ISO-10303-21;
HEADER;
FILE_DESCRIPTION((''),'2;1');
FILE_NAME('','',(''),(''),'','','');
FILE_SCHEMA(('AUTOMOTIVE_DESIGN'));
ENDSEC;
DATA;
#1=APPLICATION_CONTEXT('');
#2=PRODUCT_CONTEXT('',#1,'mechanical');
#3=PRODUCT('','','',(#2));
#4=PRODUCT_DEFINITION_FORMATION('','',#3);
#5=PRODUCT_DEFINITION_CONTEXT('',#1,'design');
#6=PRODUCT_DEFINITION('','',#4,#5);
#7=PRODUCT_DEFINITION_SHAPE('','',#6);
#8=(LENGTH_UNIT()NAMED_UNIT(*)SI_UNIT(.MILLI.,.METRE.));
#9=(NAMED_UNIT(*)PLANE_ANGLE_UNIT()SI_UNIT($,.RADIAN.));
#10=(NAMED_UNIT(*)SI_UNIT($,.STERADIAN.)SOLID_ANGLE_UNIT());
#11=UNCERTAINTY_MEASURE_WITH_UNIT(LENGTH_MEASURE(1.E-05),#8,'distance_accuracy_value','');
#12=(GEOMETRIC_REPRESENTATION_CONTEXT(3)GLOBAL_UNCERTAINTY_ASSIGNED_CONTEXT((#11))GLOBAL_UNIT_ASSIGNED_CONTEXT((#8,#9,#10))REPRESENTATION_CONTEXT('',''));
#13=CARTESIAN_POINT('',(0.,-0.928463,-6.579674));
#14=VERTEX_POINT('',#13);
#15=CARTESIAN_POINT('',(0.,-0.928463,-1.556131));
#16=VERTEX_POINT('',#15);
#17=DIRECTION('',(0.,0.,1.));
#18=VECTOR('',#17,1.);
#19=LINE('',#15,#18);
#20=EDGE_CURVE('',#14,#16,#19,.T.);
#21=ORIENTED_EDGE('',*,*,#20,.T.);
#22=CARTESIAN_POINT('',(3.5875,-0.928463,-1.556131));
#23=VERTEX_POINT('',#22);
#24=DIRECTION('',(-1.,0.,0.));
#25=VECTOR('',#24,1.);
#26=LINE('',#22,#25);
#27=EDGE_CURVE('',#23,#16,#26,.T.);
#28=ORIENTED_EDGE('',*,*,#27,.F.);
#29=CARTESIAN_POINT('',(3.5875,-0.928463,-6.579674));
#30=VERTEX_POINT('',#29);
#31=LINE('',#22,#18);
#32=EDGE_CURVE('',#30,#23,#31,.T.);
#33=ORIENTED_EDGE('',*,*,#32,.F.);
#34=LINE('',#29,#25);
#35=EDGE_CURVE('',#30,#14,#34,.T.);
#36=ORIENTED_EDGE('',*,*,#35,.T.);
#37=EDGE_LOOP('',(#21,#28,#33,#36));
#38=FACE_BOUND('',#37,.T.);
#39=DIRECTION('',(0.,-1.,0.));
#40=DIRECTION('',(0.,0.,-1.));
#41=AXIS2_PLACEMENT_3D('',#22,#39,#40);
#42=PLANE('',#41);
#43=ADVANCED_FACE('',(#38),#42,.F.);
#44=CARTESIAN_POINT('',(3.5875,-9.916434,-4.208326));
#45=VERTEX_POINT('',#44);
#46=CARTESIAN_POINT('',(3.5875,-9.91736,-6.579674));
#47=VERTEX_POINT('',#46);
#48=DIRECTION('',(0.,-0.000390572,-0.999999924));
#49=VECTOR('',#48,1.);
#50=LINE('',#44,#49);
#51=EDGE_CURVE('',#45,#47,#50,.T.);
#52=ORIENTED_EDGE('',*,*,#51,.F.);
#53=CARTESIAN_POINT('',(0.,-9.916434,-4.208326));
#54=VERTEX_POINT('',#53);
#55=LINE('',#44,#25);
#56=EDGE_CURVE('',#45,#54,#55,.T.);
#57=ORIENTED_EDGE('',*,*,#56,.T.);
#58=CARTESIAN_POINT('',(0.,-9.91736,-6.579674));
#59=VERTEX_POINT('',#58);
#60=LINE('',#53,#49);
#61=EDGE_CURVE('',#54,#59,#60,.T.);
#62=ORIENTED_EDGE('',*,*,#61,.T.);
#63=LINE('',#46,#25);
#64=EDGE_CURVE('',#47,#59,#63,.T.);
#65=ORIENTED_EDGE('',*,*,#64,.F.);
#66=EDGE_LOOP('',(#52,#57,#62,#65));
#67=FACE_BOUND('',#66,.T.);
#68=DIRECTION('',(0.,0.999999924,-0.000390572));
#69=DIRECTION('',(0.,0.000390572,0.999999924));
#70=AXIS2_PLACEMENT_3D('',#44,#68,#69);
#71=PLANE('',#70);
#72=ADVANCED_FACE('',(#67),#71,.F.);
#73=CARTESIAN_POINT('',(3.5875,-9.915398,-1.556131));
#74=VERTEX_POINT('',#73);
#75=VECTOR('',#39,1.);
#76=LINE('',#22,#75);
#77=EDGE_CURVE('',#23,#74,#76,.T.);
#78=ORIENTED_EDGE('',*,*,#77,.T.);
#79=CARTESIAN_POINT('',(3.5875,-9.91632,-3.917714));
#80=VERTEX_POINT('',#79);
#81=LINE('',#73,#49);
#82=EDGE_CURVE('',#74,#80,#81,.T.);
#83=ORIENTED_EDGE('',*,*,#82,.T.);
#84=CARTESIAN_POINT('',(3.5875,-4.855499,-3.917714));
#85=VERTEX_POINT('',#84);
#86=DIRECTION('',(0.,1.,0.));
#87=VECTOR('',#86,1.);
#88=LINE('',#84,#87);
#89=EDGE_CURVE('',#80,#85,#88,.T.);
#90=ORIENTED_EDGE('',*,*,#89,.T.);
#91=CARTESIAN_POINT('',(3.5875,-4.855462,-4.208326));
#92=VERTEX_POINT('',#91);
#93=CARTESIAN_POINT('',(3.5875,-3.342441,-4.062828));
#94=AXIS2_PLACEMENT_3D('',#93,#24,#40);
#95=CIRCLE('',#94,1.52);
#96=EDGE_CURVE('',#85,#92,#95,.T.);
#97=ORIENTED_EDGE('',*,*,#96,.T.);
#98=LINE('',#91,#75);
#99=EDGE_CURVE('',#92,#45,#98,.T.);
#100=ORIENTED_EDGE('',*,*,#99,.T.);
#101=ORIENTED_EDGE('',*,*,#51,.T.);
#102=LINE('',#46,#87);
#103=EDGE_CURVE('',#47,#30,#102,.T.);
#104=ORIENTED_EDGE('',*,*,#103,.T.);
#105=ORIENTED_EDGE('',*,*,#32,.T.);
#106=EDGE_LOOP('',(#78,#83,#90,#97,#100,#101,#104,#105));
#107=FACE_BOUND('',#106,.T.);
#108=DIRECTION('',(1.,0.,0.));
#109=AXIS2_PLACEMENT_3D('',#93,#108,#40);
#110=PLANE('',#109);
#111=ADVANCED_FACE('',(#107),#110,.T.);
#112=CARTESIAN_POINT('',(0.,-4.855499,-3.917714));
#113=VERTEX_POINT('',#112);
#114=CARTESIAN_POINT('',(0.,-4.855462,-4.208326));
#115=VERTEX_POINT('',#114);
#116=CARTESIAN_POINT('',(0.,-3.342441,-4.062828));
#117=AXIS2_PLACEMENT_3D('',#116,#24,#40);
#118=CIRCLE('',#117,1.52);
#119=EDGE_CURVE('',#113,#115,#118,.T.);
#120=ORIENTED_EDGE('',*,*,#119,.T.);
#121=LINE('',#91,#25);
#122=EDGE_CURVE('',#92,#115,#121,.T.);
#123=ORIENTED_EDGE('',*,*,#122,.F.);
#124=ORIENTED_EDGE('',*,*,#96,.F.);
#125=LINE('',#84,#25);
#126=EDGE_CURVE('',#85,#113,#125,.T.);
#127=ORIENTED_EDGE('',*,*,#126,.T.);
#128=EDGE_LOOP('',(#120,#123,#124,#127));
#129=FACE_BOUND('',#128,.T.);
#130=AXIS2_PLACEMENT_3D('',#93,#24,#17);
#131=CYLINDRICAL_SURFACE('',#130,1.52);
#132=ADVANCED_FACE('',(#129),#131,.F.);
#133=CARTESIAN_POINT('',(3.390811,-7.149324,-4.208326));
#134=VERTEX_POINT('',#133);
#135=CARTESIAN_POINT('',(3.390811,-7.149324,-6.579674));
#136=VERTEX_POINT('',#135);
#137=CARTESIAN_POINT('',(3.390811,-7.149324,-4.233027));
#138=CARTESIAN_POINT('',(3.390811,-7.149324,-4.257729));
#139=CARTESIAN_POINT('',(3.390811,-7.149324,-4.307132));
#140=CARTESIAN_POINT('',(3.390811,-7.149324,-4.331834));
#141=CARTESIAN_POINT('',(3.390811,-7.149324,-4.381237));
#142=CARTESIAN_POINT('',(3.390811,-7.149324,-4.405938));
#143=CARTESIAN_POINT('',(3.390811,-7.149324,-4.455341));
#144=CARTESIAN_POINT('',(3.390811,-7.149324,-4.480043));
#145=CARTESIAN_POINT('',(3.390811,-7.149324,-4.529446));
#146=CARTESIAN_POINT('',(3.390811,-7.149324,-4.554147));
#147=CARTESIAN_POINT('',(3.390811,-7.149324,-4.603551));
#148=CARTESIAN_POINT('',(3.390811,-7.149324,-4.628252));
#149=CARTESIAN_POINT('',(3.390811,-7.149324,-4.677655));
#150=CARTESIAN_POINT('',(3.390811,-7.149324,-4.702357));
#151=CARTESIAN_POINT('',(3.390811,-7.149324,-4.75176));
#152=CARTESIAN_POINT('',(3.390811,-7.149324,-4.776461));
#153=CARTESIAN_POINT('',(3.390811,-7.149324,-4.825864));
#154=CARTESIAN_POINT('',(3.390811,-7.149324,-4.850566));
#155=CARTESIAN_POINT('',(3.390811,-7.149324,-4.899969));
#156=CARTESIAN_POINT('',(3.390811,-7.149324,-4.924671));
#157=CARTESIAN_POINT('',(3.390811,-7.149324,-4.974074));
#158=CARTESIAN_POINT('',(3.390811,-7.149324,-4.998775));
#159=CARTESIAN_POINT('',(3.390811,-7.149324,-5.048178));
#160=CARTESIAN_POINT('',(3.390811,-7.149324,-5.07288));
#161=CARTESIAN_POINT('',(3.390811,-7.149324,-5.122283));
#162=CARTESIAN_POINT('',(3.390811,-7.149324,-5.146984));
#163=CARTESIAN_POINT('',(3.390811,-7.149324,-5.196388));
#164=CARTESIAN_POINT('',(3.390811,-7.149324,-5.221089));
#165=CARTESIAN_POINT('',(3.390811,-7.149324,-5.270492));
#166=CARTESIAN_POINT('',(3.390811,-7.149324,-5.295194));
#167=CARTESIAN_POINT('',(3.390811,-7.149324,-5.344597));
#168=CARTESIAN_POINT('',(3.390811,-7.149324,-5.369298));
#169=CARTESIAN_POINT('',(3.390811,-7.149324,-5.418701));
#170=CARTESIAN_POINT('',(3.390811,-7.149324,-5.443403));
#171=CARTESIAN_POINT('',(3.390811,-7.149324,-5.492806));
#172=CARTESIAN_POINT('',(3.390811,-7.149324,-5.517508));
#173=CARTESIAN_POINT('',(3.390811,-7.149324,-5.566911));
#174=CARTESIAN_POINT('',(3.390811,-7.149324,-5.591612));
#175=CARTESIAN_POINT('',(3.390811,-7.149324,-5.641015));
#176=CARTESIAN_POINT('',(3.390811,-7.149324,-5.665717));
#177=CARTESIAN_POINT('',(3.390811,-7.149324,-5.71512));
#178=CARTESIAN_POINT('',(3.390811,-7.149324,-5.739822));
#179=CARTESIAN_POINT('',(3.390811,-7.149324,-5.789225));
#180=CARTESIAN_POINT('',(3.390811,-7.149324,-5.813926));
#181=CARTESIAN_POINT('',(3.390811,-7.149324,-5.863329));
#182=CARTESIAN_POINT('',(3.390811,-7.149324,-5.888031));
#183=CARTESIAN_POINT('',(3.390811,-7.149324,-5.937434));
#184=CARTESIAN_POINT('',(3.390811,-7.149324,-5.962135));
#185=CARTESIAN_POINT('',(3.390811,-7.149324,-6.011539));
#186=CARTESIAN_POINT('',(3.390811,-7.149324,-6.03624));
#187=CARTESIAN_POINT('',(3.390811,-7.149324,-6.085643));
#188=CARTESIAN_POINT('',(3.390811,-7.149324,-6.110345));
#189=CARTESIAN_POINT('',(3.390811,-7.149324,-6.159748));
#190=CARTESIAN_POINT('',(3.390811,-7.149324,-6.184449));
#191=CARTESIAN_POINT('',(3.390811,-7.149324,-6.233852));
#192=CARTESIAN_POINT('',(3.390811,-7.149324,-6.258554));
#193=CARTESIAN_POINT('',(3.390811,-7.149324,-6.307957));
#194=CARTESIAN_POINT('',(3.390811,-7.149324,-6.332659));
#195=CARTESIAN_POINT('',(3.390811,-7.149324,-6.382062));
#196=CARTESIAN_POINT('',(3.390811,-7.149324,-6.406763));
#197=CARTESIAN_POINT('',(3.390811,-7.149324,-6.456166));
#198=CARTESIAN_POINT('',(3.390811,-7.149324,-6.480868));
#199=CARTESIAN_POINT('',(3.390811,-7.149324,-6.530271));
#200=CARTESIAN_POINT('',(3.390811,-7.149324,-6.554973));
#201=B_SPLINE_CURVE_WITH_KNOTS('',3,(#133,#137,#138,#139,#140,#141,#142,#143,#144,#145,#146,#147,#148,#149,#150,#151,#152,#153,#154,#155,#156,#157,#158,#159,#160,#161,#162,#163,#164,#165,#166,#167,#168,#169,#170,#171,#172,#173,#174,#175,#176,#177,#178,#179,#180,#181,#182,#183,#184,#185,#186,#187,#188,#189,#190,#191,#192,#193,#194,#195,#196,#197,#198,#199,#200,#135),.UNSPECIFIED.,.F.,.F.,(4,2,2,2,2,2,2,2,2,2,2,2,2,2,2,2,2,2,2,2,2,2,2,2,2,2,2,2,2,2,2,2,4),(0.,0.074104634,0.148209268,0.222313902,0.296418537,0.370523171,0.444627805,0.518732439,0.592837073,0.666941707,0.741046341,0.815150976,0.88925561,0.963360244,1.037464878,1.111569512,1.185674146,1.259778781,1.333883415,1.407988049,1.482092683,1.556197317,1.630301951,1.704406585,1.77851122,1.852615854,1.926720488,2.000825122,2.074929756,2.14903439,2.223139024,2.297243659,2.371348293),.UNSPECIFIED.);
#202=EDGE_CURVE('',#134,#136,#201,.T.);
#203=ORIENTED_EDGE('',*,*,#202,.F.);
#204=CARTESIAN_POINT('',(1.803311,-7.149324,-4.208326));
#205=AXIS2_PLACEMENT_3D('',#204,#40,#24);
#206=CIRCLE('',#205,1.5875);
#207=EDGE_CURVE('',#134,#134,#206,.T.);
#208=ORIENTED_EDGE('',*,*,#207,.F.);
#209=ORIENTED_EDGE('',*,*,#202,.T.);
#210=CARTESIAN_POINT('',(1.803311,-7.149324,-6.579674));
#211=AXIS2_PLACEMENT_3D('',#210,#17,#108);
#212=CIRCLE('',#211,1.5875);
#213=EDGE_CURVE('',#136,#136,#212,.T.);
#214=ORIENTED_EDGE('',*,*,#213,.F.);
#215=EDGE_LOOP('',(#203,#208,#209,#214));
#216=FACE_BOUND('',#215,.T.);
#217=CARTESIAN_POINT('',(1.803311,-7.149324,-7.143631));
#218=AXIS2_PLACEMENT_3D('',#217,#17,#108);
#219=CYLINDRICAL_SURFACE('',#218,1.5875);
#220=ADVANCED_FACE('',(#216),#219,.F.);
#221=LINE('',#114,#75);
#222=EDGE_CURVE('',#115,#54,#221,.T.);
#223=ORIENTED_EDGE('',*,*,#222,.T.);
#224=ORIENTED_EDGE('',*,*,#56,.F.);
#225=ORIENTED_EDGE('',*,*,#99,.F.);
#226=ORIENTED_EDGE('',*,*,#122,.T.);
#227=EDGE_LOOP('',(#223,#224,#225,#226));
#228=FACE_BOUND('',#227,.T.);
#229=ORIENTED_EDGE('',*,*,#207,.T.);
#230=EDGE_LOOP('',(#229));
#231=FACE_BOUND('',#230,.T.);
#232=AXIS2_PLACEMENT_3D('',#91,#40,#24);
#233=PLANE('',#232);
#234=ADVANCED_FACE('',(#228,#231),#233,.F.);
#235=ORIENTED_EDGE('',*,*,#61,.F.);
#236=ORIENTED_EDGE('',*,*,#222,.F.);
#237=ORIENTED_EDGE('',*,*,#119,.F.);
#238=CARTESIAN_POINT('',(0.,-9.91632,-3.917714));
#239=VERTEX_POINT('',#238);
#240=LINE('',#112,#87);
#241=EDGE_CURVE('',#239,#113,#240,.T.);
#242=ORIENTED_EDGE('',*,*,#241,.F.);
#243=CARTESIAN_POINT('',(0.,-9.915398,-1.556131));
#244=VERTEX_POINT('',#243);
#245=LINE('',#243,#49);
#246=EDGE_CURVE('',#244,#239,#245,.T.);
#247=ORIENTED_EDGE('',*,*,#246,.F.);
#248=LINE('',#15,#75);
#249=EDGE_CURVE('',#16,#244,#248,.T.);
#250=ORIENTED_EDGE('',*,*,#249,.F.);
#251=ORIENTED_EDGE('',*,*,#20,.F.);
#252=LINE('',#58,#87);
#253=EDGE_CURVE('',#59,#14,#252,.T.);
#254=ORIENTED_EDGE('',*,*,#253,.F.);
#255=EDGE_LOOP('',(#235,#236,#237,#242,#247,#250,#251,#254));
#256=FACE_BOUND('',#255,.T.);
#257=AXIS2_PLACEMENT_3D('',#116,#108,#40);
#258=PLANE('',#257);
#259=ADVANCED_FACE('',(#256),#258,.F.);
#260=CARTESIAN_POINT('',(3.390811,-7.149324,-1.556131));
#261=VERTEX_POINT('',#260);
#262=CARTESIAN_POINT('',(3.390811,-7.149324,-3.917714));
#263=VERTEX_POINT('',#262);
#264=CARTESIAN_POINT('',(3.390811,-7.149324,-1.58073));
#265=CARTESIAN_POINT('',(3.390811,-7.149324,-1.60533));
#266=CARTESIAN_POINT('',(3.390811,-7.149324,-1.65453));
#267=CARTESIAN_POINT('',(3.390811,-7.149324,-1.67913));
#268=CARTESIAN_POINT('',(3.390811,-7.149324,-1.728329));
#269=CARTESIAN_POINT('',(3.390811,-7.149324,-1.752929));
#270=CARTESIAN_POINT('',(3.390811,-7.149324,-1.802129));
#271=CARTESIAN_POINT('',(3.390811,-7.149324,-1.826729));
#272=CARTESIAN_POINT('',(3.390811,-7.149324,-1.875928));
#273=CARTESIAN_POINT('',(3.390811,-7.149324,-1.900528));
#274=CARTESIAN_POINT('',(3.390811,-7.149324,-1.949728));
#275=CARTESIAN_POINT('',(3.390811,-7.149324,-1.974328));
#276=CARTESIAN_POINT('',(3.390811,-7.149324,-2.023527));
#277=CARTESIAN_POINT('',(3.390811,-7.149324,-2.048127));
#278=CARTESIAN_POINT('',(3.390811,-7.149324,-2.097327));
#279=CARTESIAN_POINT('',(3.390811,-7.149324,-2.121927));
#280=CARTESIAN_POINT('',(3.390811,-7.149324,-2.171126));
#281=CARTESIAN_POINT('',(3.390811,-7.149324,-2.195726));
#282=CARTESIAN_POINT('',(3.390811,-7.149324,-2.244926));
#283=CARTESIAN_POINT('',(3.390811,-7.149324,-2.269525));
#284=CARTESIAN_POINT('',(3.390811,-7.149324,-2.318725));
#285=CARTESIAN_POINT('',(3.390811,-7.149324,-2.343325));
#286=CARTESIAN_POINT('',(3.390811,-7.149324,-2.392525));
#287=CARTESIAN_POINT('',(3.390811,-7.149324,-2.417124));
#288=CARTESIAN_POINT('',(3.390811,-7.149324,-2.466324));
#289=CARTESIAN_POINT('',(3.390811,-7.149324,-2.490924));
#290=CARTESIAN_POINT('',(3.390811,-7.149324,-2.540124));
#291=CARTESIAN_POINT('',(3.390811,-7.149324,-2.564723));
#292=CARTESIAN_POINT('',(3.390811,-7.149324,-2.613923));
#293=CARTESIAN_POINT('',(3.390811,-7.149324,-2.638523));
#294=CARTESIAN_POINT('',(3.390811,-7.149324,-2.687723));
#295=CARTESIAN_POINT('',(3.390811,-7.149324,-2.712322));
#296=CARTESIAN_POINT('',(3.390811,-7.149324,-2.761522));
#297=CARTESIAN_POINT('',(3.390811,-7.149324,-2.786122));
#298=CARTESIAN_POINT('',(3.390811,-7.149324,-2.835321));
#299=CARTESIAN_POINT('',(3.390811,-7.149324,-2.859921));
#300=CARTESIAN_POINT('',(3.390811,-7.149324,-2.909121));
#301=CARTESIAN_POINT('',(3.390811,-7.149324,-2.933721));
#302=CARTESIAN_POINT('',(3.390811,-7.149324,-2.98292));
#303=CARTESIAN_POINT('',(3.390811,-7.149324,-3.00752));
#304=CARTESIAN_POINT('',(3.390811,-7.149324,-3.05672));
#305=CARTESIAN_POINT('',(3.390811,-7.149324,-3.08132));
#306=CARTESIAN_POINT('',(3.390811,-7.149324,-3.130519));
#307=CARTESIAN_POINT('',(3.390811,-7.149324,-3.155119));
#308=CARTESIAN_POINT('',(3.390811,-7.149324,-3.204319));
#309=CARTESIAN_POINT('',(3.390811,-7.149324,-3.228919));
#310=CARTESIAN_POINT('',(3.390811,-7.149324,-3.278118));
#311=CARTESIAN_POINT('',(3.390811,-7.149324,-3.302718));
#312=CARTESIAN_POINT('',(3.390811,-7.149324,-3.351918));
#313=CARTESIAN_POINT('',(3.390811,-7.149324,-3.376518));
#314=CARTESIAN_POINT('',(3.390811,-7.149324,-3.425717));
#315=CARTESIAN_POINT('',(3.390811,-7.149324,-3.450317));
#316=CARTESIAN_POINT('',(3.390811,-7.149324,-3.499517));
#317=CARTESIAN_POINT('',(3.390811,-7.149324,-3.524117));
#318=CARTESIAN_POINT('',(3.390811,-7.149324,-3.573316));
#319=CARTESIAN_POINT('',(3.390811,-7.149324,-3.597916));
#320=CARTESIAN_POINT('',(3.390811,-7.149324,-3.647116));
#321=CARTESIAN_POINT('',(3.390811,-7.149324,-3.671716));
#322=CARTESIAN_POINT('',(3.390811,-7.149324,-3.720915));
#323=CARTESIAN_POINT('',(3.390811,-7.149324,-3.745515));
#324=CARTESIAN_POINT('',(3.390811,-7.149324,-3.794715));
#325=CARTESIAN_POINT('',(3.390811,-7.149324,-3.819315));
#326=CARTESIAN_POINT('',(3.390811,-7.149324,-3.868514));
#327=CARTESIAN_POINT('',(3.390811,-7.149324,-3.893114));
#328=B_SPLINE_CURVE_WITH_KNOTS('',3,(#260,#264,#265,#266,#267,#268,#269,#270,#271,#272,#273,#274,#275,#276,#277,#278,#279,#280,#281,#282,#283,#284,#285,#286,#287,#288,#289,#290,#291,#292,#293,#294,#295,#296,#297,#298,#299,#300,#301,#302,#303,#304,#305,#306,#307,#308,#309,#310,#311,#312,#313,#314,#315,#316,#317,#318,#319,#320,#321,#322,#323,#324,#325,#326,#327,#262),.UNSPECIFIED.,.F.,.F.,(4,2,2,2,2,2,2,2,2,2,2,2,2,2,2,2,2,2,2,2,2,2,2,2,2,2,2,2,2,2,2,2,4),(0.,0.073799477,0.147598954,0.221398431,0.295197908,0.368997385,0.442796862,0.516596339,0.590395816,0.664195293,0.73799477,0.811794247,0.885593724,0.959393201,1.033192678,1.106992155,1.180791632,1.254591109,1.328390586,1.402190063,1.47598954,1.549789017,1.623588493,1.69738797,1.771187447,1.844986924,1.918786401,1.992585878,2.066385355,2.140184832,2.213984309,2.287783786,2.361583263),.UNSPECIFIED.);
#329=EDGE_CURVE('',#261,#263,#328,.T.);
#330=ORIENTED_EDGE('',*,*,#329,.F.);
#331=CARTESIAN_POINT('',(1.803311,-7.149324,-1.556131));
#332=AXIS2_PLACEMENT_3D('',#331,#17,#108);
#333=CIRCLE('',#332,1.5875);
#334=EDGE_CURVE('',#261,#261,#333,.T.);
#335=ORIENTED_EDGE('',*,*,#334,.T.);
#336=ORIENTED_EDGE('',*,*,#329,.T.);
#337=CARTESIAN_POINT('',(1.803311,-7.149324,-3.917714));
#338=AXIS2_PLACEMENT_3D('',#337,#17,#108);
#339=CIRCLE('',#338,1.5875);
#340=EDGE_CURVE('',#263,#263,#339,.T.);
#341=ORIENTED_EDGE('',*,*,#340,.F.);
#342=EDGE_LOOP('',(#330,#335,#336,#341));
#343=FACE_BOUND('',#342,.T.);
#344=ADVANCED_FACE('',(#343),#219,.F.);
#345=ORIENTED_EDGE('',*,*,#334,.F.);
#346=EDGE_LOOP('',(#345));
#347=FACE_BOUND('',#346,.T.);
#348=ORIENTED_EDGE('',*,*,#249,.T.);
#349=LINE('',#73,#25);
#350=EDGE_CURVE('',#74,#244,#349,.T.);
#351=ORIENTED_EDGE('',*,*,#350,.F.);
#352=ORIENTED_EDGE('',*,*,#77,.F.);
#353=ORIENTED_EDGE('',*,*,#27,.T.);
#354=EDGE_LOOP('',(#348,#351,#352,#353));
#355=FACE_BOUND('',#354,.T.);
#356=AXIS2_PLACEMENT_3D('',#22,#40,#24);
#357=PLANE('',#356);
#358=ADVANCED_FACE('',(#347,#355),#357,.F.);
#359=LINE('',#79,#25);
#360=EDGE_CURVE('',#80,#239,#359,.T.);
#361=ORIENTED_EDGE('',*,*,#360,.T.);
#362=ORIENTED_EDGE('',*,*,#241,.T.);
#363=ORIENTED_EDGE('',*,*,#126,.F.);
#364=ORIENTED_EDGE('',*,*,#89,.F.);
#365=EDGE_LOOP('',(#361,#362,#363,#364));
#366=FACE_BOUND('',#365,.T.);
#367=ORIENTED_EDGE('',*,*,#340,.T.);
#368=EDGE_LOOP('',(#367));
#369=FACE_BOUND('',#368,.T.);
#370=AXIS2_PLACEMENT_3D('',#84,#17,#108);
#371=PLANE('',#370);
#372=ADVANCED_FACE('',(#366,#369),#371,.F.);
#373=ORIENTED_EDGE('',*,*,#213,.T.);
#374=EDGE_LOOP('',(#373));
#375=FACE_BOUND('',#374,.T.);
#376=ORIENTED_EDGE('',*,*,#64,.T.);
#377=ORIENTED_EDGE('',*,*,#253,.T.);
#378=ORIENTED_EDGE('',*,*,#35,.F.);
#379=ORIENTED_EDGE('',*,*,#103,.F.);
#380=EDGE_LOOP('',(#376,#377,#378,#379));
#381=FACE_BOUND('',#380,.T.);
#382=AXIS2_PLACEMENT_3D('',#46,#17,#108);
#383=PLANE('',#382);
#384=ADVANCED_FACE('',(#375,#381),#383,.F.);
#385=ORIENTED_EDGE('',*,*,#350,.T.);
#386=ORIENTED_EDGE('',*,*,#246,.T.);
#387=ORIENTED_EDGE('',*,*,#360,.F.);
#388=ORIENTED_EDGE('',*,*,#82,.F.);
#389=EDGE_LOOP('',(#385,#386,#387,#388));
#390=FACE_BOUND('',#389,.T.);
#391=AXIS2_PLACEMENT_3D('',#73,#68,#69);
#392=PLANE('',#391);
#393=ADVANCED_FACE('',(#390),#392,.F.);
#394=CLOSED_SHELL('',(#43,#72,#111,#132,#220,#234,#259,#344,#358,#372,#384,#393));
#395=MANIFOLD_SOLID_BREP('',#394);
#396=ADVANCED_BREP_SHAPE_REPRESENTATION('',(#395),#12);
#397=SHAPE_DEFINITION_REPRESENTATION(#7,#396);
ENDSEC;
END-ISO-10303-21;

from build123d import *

# Parameters (mm, degrees)
BOSS_EXTRUDE1_DEPTH = 3.5875
SKETCH2_R           = 1.5875
CUT_EXTRUDE1_DEPTH  = 5.5875


with BuildPart() as part:
    # Sketch1 → Boss-Extrude1 (new body)
    with BuildSketch(Plane(origin=(0, 0, 0), x_dir=(0, 0, -1), z_dir=(1, 0, 0))):
        with BuildLine():
            Line((1.55613054, -9.91539795), (3.917713804, -9.916320319))
            Line((3.917713804, -9.916320319), (3.917713804, -4.855498596))
            ThreePointArc((3.917713804, -4.855498596), (4.062635704, -1.822441499), (4.208325788, -4.855461794))
            Line((4.208325788, -4.855461794), (4.208325788, -9.916433824))
            Line((4.208325788, -9.916433824), (6.579674081, -9.917360006))
            Line((6.579674081, -9.917360006), (6.579674081, -0.928463249))
            Line((6.579674081, -0.928463249), (1.55613054, -0.928463249))
            Line((1.55613054, -0.928463249), (1.55613054, -9.91539795))
        make_face()
    extrude(amount=BOSS_EXTRUDE1_DEPTH)

    # Sketch2 → Cut-Extrude1 (cut)
    with BuildSketch(Plane.XY.offset(-1.55613054)):
        with Locations((1.803311416, -7.149324499)):
            Circle(SKETCH2_R)
    extrude(amount=-CUT_EXTRUDE1_DEPTH, mode=Mode.SUBTRACT)


solid = part.part
